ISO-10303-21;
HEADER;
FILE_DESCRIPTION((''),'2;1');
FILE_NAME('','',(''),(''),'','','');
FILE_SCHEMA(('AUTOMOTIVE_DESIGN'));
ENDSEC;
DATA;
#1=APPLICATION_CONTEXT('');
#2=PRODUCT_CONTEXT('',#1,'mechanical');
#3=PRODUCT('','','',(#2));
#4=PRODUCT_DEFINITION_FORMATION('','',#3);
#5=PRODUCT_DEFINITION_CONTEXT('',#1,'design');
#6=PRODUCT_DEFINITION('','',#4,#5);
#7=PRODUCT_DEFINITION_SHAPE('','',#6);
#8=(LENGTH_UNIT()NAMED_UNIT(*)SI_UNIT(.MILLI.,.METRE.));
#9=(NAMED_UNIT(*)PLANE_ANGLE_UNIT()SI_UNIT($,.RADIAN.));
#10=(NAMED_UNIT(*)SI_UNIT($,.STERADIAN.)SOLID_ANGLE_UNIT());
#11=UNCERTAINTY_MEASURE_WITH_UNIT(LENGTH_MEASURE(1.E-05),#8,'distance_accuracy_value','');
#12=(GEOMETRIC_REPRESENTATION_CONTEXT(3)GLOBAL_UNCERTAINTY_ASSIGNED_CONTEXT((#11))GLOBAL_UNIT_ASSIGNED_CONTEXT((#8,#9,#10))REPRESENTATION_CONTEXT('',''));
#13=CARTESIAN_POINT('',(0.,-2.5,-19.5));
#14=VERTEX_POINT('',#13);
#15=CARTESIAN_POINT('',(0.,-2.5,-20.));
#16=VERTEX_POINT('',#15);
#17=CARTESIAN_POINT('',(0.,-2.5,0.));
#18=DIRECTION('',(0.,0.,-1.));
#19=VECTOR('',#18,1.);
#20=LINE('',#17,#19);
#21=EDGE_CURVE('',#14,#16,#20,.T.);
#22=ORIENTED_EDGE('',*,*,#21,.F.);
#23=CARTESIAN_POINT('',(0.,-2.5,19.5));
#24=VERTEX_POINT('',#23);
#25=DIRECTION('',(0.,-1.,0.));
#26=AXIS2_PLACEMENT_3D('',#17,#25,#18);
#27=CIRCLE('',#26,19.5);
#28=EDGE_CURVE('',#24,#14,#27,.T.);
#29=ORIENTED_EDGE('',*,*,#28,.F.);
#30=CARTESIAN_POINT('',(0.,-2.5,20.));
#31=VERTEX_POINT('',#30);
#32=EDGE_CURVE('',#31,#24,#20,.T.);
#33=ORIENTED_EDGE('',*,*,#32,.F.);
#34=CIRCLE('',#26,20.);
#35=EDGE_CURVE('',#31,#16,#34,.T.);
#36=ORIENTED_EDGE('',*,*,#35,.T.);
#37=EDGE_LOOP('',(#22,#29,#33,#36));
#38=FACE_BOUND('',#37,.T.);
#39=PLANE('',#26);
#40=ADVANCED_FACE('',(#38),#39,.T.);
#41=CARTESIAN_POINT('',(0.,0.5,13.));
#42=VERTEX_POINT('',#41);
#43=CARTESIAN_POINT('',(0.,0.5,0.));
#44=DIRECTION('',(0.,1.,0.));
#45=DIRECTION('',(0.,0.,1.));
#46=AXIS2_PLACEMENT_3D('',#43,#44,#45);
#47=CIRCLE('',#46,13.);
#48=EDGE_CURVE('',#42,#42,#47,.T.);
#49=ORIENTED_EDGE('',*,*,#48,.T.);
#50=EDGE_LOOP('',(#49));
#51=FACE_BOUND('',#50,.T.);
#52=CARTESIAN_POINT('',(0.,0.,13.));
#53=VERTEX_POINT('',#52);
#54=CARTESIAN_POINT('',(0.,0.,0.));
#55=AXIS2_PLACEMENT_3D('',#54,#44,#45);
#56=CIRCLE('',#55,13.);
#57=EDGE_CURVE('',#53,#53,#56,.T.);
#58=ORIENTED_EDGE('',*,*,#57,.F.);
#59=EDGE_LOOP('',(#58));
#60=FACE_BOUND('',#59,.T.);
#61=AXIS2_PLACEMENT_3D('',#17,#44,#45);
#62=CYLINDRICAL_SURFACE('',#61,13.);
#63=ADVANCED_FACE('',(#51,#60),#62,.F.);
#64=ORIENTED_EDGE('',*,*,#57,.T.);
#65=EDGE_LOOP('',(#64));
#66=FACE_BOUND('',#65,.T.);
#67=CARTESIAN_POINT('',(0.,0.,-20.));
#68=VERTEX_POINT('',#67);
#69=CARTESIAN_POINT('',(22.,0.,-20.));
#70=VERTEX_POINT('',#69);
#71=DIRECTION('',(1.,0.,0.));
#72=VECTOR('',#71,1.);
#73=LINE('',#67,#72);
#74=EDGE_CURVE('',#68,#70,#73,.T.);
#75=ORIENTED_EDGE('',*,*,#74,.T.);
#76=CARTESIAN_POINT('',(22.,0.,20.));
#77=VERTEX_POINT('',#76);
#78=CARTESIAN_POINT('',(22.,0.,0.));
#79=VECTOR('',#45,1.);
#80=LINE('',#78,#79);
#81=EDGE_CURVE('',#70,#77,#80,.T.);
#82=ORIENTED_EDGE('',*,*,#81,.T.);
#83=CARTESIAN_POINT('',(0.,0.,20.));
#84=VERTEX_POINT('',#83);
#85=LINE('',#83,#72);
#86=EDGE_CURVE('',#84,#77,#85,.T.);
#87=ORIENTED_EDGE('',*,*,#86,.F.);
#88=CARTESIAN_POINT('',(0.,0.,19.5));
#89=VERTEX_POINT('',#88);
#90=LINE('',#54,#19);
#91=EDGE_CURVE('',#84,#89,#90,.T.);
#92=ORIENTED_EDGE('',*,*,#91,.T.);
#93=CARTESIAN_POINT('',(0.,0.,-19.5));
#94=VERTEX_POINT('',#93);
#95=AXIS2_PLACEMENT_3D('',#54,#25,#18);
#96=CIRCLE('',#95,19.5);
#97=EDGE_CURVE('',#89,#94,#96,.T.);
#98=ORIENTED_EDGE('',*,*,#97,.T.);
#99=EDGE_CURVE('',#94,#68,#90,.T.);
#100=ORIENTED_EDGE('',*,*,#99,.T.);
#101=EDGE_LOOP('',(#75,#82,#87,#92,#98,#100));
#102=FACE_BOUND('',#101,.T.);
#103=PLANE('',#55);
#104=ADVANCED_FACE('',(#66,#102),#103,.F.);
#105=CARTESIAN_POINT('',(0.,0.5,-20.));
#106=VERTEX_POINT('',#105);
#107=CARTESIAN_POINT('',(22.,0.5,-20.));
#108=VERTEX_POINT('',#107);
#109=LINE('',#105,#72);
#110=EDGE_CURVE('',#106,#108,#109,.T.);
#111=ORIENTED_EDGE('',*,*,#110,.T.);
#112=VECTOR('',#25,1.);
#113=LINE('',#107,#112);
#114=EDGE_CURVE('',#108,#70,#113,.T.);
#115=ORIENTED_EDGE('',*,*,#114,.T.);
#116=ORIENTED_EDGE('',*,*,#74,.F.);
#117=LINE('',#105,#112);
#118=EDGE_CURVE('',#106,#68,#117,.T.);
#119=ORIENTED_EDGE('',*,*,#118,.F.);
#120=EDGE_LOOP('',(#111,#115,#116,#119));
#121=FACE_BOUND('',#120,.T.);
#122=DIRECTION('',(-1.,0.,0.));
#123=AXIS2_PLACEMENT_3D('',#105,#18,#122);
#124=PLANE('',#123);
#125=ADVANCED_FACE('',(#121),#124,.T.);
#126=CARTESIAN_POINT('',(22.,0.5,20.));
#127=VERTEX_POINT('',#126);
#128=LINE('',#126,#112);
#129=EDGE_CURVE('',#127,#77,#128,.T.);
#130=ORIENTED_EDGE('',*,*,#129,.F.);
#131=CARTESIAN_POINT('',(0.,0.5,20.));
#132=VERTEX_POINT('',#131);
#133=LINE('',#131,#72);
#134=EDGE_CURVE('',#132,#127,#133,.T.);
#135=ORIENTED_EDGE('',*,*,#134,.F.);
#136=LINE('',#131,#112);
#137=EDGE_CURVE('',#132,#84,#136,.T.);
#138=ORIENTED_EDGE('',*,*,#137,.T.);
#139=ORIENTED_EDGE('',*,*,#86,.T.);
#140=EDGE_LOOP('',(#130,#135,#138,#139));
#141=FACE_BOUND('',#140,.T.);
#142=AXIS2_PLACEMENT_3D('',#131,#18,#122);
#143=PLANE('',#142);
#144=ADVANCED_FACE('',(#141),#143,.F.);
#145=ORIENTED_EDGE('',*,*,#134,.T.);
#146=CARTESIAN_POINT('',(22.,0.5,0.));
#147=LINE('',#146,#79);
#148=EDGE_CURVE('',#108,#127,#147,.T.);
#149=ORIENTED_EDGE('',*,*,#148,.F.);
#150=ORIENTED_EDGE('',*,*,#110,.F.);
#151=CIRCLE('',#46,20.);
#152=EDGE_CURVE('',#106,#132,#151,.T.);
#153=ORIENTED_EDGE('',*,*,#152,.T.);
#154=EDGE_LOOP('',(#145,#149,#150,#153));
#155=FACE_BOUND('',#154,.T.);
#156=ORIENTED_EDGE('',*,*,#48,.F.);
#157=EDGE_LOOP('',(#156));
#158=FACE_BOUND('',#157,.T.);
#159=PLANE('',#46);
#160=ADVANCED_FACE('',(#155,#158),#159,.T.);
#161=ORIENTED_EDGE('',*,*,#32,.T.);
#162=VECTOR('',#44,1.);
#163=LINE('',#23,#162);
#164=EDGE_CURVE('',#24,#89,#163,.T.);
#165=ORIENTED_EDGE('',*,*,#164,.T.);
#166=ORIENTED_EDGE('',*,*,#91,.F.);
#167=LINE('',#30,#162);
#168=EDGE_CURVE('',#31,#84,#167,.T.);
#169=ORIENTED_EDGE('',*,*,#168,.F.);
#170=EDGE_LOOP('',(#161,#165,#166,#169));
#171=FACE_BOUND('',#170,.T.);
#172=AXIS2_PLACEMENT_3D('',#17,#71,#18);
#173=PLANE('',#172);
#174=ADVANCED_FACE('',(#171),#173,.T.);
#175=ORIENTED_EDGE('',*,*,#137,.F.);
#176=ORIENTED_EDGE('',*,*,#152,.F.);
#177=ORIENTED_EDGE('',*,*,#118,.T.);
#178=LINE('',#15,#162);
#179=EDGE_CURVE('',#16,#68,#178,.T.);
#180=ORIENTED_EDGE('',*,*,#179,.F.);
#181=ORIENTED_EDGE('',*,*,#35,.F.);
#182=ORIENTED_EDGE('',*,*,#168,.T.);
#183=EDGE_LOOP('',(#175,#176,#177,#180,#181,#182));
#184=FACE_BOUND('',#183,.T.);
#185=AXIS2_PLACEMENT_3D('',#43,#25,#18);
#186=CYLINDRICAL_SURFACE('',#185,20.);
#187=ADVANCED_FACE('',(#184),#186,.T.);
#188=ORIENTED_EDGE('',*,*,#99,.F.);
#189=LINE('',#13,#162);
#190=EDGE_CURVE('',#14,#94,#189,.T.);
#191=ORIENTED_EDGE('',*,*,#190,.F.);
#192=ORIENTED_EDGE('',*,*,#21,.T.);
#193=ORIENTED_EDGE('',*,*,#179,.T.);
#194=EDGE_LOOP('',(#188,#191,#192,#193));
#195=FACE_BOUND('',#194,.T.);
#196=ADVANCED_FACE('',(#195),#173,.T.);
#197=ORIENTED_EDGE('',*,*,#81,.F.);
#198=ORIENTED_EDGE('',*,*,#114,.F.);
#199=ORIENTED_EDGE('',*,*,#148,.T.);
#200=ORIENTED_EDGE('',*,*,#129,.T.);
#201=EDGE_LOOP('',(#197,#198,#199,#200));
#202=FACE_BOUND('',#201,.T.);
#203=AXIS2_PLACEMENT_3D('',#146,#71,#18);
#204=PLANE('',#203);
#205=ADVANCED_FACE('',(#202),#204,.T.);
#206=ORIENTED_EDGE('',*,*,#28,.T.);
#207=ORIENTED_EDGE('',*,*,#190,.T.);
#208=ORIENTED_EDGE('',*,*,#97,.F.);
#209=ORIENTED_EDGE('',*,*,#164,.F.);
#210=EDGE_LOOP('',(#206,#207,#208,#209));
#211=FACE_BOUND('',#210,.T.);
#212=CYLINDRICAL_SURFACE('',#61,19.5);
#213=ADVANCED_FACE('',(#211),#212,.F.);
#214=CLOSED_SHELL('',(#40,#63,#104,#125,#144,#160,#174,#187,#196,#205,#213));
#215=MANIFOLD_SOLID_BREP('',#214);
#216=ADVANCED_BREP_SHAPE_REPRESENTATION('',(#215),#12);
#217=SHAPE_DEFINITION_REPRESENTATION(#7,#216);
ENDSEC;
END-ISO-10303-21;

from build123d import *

# Parameters (mm, degrees)
EXTRUDE_1_DEPTH     = 0.5
EXTRUDE_START       = 2.5
EXTRUDE_2_DEPTH     = 2.5
SKETCH_3_R          = 13
CUT_EXTRUDE_1_DEPTH = 30.883105595


with BuildPart() as part:
    # 草图1 → 凸台-拉伸1 (new body)
    with BuildSketch(Plane(origin=(0, 0, 0), x_dir=(1, 0, 0), z_dir=(0, 1, 0))):
        with BuildLine():
            ThreePointArc((20, 0), (14.142135624, 14.142135624), (0, 20))
            Line((0, 20), (0, -20))
            ThreePointArc((0, -20), (14.142135624, -14.142135624), (20, 0))
        make_face()
        with BuildLine():
            Line((0, -20), (0, 20))
            ThreePointArc((0, 20), (-20, 0), (0, -20))
        make_face()
        with BuildLine():
            Line((22, 20), (0, 20))
            ThreePointArc((0, 20), (14.142135624, 14.142135624), (20, 0))
            ThreePointArc((20, 0), (14.142135624, -14.142135624), (0, -20))
            Line((0, -20), (22, -20))
            Line((22, -20), (22, 20))
        make_face()
    extrude(amount=EXTRUDE_1_DEPTH)

    # 草图2 → 凸台-拉伸2 (add)
    with BuildSketch(Plane.XZ.offset(EXTRUDE_START)):
        with BuildLine():
            Line((0, 19.5), (0, 20))
            ThreePointArc((0, 20), (-20, 0), (0, -20))
            Line((0, -20), (0, -19.5))
            ThreePointArc((0, -19.5), (-19.5, 0), (0, 19.5))
        make_face()
    extrude(amount=-EXTRUDE_2_DEPTH)

    # 草图3 → 切除-拉伸1 (cut, through all)
    with BuildSketch(Plane(origin=(0, 0.5, 0), x_dir=(1, 0, 0), z_dir=(0, 1, 0))):
        with Locations(Location((0, 0, 0), (0, 0, 270))):
            Circle(SKETCH_3_R)
    extrude(amount=-CUT_EXTRUDE_1_DEPTH, mode=Mode.SUBTRACT)


solid = part.part
